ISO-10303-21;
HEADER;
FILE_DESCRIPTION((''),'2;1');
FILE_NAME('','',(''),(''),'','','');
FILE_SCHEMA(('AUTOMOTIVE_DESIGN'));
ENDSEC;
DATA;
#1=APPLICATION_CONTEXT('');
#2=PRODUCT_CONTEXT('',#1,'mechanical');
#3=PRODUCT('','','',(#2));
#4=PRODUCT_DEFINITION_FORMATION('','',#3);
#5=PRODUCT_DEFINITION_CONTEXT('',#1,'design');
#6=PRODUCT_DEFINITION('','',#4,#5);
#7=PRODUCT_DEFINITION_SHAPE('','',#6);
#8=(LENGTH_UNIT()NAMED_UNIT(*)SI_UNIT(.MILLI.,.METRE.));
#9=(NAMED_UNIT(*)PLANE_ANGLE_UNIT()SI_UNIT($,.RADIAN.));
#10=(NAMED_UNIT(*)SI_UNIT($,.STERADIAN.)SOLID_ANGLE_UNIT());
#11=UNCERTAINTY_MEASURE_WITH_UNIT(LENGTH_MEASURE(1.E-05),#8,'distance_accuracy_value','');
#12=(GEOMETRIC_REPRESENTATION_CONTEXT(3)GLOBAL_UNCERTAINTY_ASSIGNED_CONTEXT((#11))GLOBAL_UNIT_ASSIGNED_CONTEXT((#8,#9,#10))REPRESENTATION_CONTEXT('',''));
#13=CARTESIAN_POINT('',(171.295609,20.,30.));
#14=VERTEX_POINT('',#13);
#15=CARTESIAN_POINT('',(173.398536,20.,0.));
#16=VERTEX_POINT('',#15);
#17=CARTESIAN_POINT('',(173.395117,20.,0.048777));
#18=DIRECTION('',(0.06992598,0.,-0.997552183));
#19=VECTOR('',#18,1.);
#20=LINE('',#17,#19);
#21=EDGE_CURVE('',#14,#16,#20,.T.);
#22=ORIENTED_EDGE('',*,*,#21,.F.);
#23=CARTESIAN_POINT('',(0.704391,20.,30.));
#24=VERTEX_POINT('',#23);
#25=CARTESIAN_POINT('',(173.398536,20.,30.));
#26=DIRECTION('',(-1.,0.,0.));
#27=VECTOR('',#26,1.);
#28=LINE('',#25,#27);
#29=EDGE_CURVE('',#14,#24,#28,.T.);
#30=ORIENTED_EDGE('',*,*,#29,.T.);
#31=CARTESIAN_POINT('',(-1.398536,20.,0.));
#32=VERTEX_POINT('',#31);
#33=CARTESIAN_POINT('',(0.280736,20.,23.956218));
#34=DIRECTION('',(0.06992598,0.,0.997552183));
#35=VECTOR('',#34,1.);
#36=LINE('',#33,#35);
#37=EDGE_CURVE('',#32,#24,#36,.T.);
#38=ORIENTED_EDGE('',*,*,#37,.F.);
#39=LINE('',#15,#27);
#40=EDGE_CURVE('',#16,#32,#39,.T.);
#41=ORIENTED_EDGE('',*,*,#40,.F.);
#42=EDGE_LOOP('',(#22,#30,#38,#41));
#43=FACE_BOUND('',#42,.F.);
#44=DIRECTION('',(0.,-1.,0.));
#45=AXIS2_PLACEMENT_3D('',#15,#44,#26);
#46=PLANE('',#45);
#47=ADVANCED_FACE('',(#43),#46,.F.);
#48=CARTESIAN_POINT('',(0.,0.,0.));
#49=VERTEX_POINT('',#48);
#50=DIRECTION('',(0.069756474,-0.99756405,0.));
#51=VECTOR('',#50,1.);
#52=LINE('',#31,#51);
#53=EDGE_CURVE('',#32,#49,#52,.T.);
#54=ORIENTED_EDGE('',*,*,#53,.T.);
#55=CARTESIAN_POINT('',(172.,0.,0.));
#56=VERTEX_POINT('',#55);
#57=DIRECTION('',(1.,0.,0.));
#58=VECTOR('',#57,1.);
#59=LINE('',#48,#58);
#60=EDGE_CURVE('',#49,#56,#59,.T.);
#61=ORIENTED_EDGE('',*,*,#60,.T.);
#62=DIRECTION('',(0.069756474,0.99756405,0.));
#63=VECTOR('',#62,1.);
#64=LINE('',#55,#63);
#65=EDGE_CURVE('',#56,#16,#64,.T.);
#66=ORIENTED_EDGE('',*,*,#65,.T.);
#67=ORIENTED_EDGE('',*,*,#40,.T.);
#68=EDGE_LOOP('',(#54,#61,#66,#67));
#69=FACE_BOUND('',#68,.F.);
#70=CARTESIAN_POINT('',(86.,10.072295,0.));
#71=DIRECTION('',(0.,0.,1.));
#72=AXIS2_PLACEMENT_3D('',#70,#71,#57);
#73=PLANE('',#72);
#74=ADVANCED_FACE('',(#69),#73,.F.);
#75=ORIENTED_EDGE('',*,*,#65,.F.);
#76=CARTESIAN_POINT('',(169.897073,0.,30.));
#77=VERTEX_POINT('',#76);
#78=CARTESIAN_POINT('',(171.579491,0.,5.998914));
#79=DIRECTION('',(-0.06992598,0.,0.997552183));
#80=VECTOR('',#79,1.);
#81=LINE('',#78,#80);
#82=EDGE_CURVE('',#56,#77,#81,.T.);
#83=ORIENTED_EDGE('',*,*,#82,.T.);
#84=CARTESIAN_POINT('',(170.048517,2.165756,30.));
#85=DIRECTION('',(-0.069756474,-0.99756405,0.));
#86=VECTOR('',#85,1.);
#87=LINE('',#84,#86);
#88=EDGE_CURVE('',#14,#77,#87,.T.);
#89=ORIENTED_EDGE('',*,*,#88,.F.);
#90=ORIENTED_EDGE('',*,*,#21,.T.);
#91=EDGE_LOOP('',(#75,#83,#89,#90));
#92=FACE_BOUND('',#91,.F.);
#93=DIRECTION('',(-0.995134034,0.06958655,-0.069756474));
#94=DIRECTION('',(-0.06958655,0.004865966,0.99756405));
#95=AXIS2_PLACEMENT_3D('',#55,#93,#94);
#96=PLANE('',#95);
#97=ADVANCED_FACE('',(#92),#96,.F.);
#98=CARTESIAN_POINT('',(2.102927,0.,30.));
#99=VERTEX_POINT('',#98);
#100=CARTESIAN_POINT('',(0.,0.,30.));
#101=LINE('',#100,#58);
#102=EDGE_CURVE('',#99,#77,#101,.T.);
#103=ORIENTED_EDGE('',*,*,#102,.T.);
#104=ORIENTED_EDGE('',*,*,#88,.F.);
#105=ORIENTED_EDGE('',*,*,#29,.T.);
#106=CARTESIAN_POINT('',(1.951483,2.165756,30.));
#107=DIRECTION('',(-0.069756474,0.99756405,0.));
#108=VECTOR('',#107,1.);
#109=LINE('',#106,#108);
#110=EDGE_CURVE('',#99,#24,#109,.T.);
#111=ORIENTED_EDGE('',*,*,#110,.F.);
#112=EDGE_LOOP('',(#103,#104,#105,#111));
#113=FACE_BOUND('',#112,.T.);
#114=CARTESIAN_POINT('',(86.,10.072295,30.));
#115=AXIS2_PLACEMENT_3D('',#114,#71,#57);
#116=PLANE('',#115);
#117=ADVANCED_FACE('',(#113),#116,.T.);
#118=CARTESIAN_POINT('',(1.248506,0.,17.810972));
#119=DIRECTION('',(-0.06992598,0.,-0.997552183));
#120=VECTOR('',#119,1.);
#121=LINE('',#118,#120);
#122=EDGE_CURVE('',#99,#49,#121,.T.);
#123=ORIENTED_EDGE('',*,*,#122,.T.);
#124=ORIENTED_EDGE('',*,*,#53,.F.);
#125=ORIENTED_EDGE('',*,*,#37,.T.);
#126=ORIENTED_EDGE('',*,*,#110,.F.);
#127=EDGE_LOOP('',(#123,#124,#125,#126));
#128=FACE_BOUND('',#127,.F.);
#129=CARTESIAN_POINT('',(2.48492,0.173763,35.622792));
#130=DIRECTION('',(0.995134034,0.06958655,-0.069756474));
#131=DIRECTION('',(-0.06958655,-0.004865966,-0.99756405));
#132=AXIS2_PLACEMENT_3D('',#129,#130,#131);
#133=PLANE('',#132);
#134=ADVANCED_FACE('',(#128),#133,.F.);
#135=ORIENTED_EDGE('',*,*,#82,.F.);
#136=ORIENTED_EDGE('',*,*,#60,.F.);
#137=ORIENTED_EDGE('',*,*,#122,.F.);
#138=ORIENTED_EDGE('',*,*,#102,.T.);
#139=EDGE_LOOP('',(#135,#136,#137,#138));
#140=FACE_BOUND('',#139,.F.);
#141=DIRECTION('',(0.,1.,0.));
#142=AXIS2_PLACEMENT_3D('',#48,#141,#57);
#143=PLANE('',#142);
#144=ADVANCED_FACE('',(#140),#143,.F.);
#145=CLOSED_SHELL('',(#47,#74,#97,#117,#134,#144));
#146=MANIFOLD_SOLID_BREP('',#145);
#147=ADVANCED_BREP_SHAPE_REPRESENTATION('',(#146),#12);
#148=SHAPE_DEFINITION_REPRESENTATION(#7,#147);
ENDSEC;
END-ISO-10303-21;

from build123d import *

# Parameters (mm, degrees)
F1_DEPTH = 30
F4_DEPTH = 27.7
F7_DEPTH = 50.2


with BuildPart() as f1:
    # F0 (on Top) → F1 (new body)
    with BuildSketch(Plane.XY):
        Polygon((-1.3985362389, 20), (0, 0), (172, 0), (173.3985362389, 20), align=None)
    extrude(amount=F1_DEPTH)

    # F3 (on face) → F4 (cut, symmetric)
    with BuildSketch(Plane(origin=(0, 0, 0), x_dir=(-0.9975640503, -0.0697564737, 0), z_dir=(-0.0697564737, 0.9975640503, 0))):
        Polygon((-2.4909883108, 35.6227924818), (0, 0), (0, 35.6227924818), align=None)
    extrude(amount=F4_DEPTH, both=True, mode=Mode.SUBTRACT)

    # F6 (on face) → F7 (cut, symmetric)
    with BuildSketch(Plane(origin=(0.8369460882, 11.9688866826, 0), x_dir=(-0.9975640503, 0.0697564737, 0), z_dir=(0.0697564737, 0.9975640503, 0))):
        Polygon((-171.5810166447, 89.9730579068), (-171.5810166447, 0), (-165.3201019088, 89.5352520994), align=None)
    extrude(amount=F7_DEPTH, both=True, mode=Mode.SUBTRACT)


solid = f1.part
